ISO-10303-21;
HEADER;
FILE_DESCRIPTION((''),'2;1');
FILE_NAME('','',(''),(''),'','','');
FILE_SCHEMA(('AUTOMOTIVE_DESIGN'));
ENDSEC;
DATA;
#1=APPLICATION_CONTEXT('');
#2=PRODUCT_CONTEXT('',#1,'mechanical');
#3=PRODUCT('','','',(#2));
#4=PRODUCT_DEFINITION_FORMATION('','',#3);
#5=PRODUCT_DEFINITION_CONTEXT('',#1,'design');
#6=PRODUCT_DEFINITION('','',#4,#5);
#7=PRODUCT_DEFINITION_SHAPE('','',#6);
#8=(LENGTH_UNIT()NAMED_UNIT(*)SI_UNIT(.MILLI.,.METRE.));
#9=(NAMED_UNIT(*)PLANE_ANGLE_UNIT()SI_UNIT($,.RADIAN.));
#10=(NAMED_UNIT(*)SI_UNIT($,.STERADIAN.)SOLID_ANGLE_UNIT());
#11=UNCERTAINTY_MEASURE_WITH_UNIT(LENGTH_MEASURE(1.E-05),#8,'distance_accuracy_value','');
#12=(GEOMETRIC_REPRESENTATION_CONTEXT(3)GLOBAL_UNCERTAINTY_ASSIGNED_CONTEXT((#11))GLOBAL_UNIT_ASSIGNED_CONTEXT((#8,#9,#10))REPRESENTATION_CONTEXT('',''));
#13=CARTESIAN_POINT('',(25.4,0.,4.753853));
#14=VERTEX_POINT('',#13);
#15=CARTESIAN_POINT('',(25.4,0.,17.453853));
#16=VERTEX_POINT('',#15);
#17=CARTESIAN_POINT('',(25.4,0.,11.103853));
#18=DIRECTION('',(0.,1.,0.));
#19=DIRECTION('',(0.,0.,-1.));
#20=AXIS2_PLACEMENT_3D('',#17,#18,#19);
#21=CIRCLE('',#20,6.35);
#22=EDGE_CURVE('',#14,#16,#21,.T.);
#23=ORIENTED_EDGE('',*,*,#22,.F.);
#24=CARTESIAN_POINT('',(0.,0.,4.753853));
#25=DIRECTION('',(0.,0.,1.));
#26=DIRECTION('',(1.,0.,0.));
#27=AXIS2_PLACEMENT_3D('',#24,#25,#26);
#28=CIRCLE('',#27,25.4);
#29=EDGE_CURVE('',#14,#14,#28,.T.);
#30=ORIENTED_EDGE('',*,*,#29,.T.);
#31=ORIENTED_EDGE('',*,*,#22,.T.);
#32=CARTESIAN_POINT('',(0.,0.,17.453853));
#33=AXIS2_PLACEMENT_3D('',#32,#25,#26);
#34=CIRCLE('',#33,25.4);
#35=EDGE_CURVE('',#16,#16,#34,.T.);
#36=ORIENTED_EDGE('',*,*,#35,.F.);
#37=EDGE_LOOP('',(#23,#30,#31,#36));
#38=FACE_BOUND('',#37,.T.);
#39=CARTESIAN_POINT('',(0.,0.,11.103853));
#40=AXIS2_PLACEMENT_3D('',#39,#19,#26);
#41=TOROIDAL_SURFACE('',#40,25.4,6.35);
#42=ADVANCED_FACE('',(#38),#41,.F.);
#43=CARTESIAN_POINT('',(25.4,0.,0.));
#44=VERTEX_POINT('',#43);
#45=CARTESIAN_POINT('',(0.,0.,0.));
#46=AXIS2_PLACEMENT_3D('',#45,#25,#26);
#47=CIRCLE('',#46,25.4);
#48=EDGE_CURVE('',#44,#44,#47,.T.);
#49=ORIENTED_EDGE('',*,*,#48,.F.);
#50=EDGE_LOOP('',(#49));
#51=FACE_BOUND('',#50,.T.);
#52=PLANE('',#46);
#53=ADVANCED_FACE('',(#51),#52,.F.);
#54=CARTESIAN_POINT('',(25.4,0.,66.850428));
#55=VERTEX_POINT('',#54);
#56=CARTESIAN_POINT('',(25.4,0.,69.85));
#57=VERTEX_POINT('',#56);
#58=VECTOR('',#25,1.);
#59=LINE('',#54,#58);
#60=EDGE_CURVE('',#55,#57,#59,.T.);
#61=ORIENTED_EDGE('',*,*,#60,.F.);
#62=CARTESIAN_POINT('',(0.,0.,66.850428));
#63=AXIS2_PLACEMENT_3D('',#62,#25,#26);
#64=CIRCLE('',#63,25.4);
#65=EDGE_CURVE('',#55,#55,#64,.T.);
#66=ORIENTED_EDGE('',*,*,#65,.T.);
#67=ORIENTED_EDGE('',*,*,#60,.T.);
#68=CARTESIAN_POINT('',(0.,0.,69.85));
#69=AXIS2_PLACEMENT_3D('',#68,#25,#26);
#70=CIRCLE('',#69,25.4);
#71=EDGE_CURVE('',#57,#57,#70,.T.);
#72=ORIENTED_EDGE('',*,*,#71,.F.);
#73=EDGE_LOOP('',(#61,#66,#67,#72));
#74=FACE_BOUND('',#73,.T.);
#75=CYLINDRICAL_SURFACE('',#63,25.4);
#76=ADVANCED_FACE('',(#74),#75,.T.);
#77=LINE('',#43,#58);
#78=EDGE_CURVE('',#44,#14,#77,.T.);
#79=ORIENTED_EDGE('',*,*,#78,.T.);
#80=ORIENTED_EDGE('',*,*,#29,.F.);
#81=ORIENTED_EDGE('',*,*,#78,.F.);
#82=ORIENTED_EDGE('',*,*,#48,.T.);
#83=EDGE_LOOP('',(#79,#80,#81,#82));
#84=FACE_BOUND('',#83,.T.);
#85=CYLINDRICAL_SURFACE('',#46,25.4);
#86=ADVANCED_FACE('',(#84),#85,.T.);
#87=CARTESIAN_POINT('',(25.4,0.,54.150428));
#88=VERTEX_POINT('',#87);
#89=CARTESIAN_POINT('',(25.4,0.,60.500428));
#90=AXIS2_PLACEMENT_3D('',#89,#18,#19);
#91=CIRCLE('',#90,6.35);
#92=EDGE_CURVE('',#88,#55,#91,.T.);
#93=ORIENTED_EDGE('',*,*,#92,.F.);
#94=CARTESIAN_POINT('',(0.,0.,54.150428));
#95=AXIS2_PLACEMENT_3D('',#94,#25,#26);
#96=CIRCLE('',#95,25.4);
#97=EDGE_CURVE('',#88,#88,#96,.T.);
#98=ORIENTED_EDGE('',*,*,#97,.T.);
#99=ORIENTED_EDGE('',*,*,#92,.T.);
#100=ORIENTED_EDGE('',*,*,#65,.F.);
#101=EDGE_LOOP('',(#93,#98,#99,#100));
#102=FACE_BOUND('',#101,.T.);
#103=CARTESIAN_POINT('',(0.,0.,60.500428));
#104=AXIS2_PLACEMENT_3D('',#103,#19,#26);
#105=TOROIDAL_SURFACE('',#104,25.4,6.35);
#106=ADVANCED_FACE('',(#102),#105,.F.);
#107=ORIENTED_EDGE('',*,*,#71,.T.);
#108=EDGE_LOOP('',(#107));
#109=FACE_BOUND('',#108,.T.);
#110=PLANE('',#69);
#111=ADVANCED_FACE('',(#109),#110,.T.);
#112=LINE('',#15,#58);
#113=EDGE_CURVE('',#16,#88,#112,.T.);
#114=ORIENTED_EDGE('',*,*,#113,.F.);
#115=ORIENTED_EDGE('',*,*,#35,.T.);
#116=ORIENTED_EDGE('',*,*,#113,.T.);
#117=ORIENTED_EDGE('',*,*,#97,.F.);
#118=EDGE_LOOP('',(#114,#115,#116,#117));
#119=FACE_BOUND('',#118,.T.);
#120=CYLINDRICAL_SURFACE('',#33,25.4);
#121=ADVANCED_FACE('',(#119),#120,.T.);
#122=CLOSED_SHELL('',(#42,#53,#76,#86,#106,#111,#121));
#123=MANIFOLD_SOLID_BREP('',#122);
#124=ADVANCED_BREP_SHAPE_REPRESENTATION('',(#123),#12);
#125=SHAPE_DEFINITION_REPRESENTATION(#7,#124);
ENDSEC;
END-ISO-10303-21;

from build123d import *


with BuildPart() as f1:
    # F0 (on Front) → F1 (revolve)
    with BuildSketch(Plane.XZ):
        with BuildLine():
            Line((0, 69.85), (0, 0))
            Line((0, 0), (25.4, 0))
            Line((25.4, 0), (25.4, 4.753853))
            ThreePointArc((25.4, 4.753853), (19.05, 11.103853), (25.4, 17.453853))
            Line((25.4, 17.453853), (25.4, 54.150428))
            ThreePointArc((25.4, 54.150428), (19.05, 60.500428), (25.4, 66.850428))
            Line((25.4, 66.850428), (25.4, 69.85))
            Line((25.4, 69.85), (0, 69.85))
        make_face()
    revolve(axis=Axis((0, 0, 34.925), (0, 0, 1)))


solid = f1.part
